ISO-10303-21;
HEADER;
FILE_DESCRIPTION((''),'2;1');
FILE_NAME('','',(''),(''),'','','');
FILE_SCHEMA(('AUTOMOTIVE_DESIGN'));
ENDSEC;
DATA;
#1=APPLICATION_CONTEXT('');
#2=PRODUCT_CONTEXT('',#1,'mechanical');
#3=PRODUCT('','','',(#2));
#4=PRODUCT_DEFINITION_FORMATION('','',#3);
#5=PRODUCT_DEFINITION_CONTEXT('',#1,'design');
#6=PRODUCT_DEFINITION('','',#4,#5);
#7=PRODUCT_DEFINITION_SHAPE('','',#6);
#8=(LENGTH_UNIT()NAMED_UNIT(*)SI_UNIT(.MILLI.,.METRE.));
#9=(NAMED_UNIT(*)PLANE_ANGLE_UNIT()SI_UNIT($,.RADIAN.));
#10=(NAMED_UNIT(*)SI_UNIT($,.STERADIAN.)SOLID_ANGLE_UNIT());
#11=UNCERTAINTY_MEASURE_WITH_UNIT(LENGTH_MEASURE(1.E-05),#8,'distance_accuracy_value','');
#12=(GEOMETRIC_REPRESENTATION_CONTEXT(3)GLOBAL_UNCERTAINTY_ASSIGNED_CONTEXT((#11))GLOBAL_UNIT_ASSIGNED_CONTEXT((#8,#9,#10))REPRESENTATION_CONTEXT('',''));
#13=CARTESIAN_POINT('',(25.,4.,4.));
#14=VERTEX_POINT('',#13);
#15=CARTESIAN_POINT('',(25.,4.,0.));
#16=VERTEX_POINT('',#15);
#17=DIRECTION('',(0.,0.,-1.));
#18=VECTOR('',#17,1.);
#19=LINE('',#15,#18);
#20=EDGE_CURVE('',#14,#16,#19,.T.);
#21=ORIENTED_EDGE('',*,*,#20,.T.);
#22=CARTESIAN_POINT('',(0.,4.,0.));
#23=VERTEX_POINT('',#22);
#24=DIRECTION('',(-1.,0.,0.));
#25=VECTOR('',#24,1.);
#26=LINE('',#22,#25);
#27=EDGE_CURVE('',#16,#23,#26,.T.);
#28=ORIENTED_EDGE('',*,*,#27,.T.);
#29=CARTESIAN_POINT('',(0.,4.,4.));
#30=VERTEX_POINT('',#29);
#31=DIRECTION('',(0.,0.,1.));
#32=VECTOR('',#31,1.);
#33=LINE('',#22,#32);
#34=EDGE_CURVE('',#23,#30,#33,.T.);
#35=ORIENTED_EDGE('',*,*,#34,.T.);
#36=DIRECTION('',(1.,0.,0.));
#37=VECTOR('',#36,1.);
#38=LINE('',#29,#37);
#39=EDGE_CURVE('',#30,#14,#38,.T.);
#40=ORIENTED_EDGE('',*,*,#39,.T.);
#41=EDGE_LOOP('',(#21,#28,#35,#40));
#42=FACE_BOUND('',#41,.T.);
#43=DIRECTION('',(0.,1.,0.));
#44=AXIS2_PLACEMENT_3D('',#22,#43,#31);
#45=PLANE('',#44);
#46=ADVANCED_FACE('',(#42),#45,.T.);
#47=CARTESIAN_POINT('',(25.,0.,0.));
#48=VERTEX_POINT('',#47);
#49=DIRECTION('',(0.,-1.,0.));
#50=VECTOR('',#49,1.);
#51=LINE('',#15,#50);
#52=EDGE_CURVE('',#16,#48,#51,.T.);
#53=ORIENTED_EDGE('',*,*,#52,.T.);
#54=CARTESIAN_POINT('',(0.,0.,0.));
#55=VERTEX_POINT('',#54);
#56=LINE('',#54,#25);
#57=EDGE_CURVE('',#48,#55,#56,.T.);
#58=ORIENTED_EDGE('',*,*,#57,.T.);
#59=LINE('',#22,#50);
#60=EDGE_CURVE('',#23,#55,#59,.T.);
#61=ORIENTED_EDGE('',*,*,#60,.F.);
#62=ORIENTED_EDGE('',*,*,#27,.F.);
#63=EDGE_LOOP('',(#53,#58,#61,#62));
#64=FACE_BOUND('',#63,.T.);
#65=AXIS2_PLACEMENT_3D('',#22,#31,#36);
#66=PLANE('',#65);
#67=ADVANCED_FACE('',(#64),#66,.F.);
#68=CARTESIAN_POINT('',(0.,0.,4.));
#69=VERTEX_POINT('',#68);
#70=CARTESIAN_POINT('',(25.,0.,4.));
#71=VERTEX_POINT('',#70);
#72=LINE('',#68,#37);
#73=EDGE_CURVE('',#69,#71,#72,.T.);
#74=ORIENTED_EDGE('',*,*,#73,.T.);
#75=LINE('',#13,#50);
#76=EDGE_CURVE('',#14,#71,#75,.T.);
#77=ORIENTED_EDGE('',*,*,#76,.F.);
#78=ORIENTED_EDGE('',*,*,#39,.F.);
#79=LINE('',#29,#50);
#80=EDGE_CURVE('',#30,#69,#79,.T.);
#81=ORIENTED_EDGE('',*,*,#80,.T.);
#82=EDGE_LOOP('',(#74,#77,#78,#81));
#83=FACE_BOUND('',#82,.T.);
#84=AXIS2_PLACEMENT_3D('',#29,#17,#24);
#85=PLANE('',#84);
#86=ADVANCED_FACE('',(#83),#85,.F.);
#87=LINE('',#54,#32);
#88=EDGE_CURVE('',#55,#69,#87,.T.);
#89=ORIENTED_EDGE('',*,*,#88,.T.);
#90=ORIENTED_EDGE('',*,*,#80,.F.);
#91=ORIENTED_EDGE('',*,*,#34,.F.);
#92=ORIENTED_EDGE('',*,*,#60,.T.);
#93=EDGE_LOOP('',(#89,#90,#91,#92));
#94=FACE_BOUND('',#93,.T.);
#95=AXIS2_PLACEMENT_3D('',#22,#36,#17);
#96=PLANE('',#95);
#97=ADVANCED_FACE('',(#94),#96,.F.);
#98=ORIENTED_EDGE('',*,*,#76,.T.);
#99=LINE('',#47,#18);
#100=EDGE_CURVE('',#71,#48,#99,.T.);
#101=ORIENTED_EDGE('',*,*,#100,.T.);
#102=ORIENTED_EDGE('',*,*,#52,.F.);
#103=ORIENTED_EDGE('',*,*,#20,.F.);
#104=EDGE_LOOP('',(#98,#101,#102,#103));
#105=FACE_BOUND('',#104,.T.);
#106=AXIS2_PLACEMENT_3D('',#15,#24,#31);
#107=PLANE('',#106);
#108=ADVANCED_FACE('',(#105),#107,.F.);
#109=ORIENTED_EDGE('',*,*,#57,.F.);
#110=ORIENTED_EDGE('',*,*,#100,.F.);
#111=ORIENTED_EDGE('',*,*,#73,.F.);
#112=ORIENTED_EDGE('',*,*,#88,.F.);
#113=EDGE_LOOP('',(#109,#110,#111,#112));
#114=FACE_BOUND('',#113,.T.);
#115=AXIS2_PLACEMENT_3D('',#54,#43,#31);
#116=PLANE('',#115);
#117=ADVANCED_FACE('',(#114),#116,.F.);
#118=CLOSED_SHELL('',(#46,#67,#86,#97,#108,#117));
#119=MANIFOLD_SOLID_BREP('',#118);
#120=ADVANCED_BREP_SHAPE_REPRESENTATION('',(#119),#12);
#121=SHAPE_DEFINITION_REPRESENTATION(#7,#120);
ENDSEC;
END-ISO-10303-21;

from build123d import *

# Parameters (mm, degrees)
SKETCH1_W           = 25
SKETCH1_H           = 4
BOSS_EXTRUDE1_DEPTH = 4


with BuildPart() as part:
    # Sketch1 → Boss-Extrude1 (new body)
    with BuildSketch(Plane(origin=(0, 0, 0), x_dir=(1, 0, 0), z_dir=(0, 1, 0))):
        with Locations((12.5, -2)):
            Rectangle(SKETCH1_W, SKETCH1_H)
    extrude(amount=BOSS_EXTRUDE1_DEPTH)


solid = part.part
